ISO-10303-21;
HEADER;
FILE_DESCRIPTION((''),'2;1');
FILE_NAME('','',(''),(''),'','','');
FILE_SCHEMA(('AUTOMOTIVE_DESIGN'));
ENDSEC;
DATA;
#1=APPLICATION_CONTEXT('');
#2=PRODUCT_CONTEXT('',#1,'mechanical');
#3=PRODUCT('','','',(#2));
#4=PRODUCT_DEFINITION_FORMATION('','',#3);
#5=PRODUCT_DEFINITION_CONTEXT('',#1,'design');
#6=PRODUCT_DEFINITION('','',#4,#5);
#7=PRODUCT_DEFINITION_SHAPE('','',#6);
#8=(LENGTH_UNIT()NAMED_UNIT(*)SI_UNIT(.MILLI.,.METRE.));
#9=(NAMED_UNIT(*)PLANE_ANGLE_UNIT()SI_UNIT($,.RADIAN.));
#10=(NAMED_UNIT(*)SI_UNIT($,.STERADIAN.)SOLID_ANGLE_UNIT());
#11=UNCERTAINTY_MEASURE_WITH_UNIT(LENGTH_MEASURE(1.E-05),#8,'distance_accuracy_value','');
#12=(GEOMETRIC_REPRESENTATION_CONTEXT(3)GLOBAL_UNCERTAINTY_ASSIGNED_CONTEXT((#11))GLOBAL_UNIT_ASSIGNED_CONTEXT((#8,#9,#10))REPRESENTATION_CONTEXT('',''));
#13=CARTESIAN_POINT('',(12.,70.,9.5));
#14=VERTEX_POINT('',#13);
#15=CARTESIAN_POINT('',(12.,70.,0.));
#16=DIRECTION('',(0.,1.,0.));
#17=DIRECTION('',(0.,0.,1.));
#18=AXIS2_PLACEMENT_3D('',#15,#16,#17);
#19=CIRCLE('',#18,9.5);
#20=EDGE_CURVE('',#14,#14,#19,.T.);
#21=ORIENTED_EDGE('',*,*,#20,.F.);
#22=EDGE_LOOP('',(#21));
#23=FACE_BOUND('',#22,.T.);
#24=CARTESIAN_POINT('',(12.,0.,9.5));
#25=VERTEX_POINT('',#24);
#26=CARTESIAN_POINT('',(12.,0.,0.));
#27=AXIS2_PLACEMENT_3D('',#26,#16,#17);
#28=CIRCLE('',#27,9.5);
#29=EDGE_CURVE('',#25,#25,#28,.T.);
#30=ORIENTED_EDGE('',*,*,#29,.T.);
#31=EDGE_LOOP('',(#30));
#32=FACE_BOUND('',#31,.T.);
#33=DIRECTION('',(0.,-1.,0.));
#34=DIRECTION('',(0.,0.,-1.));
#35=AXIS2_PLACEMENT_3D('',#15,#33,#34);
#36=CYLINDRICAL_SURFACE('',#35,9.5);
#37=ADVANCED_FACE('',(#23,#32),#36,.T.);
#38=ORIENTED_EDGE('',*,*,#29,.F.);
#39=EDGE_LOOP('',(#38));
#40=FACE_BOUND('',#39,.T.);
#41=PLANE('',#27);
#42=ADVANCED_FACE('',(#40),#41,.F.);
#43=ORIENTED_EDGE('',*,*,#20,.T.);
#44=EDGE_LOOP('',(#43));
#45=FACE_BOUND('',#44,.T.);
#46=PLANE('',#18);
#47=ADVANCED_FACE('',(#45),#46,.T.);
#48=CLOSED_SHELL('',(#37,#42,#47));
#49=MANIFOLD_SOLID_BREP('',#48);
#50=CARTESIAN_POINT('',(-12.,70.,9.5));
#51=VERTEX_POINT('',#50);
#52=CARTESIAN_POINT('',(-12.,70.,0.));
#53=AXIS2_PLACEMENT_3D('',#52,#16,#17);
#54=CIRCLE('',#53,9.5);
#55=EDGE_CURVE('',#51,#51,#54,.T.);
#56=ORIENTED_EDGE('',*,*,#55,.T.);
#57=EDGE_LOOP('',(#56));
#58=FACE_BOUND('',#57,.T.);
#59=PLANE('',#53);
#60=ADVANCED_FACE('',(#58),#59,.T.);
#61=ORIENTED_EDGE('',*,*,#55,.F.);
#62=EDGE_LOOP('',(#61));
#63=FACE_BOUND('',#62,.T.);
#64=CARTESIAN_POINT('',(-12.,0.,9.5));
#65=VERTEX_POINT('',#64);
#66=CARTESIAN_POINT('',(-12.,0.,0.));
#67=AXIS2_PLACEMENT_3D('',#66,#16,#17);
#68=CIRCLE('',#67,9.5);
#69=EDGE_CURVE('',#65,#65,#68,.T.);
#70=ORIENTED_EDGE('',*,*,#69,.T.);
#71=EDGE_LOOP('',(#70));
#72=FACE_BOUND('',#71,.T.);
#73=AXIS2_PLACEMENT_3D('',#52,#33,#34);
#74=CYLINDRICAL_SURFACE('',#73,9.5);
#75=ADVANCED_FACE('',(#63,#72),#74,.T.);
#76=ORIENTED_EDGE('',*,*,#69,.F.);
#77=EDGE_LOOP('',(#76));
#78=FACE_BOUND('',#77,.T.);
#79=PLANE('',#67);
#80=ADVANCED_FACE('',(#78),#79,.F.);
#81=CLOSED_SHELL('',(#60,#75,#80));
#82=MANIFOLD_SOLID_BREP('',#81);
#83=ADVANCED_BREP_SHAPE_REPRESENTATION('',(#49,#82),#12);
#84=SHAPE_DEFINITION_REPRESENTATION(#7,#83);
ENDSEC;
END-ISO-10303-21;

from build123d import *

# Parameters (mm, degrees)
SKETCH2_R             = 9.5
BOSS_EXTRUDE1_DEPTH   = 70
BOSS_EXTRUDE1_2_DEPTH = 70


with BuildPart() as part:
    # Sketch2 → Boss-Extrude1 (new body)
    with BuildSketch(Plane(origin=(0, 0, 0), x_dir=(1, 0, 0), z_dir=(0, 1, 0))):
        with Locations((-12, 0)):
            Circle(SKETCH2_R)
    extrude(amount=BOSS_EXTRUDE1_DEPTH)


with BuildPart() as body_2:
    # Sketch2 → Boss-Extrude1 2 (new body)
    with BuildSketch(Plane(origin=(0, 0, 0), x_dir=(1, 0, 0), z_dir=(0, 1, 0))):
        with Locations((12, 0)):
            Circle(SKETCH2_R)
    extrude(amount=BOSS_EXTRUDE1_2_DEPTH)


solid = Compound([part.part, body_2.part])
